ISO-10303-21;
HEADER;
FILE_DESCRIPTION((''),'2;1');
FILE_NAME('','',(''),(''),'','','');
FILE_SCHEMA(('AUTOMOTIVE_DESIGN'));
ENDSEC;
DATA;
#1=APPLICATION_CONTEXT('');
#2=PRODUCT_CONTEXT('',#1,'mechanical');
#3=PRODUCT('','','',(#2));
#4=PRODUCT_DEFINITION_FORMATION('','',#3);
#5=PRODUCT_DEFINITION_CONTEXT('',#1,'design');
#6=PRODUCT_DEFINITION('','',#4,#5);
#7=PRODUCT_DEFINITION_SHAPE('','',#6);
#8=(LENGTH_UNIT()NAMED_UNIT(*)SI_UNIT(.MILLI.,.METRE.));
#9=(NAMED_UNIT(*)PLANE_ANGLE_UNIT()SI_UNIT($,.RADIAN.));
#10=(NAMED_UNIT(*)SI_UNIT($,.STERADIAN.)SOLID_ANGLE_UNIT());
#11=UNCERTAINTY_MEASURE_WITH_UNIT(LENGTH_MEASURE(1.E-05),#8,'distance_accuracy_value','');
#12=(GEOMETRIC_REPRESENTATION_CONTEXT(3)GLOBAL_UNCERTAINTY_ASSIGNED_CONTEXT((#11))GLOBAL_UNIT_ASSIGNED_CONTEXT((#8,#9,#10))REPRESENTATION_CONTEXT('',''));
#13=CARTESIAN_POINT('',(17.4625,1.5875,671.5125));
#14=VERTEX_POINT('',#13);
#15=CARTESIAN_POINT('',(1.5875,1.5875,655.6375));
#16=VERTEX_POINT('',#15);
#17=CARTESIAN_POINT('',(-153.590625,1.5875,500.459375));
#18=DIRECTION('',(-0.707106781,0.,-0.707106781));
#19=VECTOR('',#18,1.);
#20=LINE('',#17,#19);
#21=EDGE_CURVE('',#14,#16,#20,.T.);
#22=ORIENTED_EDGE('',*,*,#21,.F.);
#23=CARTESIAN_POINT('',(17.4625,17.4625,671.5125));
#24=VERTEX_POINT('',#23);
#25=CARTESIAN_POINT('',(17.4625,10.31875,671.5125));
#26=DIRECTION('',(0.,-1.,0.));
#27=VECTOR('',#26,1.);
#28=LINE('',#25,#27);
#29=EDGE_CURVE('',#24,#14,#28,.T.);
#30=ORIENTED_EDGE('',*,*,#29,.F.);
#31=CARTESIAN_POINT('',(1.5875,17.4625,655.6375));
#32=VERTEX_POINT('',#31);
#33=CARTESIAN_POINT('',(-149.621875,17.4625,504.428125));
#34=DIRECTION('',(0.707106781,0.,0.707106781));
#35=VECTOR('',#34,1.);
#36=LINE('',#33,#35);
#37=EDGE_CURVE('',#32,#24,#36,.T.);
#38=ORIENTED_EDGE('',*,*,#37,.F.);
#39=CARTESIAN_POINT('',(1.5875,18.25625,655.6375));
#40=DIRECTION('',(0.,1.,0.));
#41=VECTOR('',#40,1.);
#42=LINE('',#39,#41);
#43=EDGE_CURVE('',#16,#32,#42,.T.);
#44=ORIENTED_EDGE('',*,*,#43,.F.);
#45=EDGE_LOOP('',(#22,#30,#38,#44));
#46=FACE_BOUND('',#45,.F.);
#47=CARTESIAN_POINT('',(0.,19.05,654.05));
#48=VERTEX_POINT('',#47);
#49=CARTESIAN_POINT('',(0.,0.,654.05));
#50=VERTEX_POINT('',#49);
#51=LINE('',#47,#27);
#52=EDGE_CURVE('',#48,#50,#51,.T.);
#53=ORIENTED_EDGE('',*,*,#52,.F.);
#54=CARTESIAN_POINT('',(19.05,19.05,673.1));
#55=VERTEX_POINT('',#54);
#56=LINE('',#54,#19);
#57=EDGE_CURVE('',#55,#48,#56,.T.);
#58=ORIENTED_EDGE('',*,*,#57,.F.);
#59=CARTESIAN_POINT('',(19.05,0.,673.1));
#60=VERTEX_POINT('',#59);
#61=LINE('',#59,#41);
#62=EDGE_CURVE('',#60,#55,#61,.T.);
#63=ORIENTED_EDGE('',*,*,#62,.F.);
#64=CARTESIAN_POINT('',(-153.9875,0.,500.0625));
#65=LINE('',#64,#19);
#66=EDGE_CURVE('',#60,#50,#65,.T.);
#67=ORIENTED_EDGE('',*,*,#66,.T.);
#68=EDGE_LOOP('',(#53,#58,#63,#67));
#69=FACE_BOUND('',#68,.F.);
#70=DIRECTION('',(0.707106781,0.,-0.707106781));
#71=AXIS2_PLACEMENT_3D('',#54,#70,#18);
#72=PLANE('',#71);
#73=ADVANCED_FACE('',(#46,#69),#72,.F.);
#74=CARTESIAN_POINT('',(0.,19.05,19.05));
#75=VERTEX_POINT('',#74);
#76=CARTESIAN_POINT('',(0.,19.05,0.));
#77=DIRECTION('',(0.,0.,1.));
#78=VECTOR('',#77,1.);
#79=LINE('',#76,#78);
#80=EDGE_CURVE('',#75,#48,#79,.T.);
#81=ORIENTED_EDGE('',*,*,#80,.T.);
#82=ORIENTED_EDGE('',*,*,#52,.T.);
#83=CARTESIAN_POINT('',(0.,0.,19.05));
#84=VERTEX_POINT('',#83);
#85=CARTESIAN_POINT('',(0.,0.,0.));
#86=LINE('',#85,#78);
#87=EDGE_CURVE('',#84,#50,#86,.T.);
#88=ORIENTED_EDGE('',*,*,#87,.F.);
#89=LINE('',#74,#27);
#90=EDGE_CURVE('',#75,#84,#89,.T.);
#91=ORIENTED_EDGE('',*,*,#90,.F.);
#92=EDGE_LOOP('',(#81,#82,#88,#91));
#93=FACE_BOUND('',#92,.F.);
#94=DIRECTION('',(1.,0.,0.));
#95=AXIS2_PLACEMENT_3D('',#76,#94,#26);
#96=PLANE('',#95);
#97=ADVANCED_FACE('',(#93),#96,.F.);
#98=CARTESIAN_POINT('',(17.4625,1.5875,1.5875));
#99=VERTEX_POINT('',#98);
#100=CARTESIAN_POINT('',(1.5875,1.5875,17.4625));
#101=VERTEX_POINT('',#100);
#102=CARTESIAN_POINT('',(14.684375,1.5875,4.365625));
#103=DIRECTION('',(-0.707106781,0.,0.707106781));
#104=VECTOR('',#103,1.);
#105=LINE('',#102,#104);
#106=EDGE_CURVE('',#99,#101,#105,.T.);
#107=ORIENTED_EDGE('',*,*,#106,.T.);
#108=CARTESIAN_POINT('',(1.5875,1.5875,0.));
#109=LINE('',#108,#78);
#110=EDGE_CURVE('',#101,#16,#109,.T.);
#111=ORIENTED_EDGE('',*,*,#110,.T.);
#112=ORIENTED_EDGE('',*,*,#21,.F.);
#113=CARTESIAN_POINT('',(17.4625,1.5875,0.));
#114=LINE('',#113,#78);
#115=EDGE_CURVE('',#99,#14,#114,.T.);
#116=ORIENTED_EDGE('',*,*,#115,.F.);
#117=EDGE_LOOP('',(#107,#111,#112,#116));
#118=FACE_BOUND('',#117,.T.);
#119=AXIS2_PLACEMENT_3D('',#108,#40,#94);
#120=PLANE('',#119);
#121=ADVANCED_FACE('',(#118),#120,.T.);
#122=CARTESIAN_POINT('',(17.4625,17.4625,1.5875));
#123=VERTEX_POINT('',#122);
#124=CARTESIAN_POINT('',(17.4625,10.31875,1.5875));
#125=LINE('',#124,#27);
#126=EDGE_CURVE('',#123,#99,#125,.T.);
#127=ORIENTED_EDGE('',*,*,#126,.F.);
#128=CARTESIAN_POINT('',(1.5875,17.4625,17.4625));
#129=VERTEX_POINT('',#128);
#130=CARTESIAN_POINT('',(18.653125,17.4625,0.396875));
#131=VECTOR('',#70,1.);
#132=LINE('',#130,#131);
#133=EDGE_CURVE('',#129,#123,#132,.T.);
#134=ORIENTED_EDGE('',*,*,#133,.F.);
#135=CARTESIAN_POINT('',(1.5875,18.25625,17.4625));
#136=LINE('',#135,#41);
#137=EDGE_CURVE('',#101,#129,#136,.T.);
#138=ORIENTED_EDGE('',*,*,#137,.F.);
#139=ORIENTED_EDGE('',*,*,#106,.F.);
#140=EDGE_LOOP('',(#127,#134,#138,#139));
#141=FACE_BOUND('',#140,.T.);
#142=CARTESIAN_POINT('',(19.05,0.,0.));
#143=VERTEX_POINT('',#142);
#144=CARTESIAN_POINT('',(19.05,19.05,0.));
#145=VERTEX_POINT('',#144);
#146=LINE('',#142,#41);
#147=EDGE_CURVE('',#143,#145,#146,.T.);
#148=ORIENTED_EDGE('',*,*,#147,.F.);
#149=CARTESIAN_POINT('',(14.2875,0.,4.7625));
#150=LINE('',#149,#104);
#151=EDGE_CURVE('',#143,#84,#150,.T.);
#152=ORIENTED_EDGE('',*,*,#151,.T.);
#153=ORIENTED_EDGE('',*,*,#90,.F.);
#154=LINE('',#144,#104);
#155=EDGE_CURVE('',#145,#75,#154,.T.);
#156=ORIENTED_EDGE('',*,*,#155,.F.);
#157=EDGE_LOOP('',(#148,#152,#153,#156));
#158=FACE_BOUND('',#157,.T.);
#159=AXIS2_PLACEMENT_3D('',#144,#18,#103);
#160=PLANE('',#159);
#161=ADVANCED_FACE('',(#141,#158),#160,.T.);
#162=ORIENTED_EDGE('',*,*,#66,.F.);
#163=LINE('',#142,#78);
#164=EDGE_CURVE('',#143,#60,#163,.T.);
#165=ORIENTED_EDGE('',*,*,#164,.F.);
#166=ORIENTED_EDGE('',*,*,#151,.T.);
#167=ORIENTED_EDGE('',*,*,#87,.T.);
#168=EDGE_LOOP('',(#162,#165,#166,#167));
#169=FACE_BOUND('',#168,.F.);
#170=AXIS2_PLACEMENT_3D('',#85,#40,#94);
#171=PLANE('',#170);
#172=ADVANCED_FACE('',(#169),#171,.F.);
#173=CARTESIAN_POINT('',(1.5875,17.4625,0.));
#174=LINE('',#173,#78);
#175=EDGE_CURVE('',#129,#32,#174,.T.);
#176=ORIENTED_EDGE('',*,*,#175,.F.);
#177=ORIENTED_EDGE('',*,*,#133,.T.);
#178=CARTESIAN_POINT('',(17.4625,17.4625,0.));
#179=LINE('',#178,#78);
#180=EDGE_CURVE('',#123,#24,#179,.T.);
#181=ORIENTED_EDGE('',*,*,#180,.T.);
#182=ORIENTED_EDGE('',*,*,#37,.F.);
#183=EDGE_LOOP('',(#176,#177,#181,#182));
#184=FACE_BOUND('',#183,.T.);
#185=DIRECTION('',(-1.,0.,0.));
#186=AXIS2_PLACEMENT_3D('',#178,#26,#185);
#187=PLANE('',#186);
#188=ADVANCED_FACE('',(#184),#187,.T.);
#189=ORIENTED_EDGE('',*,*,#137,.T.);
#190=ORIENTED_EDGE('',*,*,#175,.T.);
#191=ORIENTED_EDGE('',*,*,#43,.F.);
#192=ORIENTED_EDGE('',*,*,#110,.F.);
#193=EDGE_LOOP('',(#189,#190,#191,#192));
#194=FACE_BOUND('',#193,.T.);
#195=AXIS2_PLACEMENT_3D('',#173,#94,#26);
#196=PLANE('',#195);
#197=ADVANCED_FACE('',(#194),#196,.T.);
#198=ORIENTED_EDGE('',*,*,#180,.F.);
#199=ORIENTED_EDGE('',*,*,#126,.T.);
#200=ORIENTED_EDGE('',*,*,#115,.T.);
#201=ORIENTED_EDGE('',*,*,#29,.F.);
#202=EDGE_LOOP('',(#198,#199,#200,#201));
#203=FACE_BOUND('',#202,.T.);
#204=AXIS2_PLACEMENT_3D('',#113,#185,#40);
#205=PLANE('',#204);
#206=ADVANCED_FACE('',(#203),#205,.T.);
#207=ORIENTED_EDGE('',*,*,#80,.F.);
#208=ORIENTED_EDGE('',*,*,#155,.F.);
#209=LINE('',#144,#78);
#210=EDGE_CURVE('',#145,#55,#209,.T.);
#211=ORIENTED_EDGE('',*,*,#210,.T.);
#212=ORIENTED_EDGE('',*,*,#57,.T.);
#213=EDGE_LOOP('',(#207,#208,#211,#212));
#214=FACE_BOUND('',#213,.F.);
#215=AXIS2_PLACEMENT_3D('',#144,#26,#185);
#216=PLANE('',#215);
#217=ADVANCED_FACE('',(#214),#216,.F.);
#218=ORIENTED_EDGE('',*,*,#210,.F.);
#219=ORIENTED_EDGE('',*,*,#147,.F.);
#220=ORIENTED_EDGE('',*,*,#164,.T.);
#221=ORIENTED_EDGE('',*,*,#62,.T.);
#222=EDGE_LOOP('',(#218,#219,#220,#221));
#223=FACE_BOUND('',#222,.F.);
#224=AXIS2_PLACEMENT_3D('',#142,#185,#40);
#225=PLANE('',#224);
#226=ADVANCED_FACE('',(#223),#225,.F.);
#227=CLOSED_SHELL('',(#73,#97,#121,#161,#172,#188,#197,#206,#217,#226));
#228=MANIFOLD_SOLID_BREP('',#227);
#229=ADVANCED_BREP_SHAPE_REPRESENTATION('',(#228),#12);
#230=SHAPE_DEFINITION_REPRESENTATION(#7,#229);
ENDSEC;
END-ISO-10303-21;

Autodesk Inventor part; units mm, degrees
ref_plane "YZ Plane" through (0, 0, 0) normal (1, 0, 0) x (0, 1, 0)
ref_plane "XZ Plane" through (0, 0, 0) normal (0, 1, 0) x (-1, 0, 0)
ref_plane "XY Plane" through (0, 0, 0) normal (0, 0, 1) x (1, 0, 0)
sketch "Sketch1" plane through (0, 0, 0) normal (0, 0, 1) x (1, 0, 0)
  line L0 (0, 0) -> (19.05, 0)
  line L1 (19.05, 0) -> (19.05, 19.05)
  line L2 (19.05, 19.05) -> (0, 19.05)
  line L3 (0, 19.05) -> (0, 0)
  line L4 (17.4625, 17.4625) -> (1.5875, 17.4625)
  line L5 (1.5875, 17.4625) -> (1.5875, 1.5875)
  line L6 (1.5875, 1.5875) -> (17.4625, 1.5875)
  line L7 (17.4625, 1.5875) -> (17.4625, 17.4625)
  dimension "d0" = 19.05
  dimension "d1" = 19.05
  dimension "d2" = 1.5875
  dimension "d3" = 1.5875
  dimension "d4" = 1.5875
  dimension "d5" = 1.5875
extrude "Extrusion1" add sketch "Sketch1" along normal blind 673.1
sketch "Sketch2" plane through (0, 19.05, 0) normal (0, 1, 0) x (1, 0, 0)
  line L0 (19.05, 0) -> (0, 0) projected
  line L1 (0, 0) -> (0, -673.1) projected
  line L2 (19.05, -673.1) -> (0, -673.1) projected
  line L3 (19.05, -673.1) -> (0, -654.05)
  line L4 (19.05, 0) -> (0, -19.05)
  dimension "d8" = 45
  dimension "d9" = 45
extrude "Extrusion2" cut sketch "Sketch2" against normal through all
equation "\"d3\" = d2"
equation "\"d4\" = d2"
equation "\"d5\" = d3"
properties part number "Bumper Rail Side"
